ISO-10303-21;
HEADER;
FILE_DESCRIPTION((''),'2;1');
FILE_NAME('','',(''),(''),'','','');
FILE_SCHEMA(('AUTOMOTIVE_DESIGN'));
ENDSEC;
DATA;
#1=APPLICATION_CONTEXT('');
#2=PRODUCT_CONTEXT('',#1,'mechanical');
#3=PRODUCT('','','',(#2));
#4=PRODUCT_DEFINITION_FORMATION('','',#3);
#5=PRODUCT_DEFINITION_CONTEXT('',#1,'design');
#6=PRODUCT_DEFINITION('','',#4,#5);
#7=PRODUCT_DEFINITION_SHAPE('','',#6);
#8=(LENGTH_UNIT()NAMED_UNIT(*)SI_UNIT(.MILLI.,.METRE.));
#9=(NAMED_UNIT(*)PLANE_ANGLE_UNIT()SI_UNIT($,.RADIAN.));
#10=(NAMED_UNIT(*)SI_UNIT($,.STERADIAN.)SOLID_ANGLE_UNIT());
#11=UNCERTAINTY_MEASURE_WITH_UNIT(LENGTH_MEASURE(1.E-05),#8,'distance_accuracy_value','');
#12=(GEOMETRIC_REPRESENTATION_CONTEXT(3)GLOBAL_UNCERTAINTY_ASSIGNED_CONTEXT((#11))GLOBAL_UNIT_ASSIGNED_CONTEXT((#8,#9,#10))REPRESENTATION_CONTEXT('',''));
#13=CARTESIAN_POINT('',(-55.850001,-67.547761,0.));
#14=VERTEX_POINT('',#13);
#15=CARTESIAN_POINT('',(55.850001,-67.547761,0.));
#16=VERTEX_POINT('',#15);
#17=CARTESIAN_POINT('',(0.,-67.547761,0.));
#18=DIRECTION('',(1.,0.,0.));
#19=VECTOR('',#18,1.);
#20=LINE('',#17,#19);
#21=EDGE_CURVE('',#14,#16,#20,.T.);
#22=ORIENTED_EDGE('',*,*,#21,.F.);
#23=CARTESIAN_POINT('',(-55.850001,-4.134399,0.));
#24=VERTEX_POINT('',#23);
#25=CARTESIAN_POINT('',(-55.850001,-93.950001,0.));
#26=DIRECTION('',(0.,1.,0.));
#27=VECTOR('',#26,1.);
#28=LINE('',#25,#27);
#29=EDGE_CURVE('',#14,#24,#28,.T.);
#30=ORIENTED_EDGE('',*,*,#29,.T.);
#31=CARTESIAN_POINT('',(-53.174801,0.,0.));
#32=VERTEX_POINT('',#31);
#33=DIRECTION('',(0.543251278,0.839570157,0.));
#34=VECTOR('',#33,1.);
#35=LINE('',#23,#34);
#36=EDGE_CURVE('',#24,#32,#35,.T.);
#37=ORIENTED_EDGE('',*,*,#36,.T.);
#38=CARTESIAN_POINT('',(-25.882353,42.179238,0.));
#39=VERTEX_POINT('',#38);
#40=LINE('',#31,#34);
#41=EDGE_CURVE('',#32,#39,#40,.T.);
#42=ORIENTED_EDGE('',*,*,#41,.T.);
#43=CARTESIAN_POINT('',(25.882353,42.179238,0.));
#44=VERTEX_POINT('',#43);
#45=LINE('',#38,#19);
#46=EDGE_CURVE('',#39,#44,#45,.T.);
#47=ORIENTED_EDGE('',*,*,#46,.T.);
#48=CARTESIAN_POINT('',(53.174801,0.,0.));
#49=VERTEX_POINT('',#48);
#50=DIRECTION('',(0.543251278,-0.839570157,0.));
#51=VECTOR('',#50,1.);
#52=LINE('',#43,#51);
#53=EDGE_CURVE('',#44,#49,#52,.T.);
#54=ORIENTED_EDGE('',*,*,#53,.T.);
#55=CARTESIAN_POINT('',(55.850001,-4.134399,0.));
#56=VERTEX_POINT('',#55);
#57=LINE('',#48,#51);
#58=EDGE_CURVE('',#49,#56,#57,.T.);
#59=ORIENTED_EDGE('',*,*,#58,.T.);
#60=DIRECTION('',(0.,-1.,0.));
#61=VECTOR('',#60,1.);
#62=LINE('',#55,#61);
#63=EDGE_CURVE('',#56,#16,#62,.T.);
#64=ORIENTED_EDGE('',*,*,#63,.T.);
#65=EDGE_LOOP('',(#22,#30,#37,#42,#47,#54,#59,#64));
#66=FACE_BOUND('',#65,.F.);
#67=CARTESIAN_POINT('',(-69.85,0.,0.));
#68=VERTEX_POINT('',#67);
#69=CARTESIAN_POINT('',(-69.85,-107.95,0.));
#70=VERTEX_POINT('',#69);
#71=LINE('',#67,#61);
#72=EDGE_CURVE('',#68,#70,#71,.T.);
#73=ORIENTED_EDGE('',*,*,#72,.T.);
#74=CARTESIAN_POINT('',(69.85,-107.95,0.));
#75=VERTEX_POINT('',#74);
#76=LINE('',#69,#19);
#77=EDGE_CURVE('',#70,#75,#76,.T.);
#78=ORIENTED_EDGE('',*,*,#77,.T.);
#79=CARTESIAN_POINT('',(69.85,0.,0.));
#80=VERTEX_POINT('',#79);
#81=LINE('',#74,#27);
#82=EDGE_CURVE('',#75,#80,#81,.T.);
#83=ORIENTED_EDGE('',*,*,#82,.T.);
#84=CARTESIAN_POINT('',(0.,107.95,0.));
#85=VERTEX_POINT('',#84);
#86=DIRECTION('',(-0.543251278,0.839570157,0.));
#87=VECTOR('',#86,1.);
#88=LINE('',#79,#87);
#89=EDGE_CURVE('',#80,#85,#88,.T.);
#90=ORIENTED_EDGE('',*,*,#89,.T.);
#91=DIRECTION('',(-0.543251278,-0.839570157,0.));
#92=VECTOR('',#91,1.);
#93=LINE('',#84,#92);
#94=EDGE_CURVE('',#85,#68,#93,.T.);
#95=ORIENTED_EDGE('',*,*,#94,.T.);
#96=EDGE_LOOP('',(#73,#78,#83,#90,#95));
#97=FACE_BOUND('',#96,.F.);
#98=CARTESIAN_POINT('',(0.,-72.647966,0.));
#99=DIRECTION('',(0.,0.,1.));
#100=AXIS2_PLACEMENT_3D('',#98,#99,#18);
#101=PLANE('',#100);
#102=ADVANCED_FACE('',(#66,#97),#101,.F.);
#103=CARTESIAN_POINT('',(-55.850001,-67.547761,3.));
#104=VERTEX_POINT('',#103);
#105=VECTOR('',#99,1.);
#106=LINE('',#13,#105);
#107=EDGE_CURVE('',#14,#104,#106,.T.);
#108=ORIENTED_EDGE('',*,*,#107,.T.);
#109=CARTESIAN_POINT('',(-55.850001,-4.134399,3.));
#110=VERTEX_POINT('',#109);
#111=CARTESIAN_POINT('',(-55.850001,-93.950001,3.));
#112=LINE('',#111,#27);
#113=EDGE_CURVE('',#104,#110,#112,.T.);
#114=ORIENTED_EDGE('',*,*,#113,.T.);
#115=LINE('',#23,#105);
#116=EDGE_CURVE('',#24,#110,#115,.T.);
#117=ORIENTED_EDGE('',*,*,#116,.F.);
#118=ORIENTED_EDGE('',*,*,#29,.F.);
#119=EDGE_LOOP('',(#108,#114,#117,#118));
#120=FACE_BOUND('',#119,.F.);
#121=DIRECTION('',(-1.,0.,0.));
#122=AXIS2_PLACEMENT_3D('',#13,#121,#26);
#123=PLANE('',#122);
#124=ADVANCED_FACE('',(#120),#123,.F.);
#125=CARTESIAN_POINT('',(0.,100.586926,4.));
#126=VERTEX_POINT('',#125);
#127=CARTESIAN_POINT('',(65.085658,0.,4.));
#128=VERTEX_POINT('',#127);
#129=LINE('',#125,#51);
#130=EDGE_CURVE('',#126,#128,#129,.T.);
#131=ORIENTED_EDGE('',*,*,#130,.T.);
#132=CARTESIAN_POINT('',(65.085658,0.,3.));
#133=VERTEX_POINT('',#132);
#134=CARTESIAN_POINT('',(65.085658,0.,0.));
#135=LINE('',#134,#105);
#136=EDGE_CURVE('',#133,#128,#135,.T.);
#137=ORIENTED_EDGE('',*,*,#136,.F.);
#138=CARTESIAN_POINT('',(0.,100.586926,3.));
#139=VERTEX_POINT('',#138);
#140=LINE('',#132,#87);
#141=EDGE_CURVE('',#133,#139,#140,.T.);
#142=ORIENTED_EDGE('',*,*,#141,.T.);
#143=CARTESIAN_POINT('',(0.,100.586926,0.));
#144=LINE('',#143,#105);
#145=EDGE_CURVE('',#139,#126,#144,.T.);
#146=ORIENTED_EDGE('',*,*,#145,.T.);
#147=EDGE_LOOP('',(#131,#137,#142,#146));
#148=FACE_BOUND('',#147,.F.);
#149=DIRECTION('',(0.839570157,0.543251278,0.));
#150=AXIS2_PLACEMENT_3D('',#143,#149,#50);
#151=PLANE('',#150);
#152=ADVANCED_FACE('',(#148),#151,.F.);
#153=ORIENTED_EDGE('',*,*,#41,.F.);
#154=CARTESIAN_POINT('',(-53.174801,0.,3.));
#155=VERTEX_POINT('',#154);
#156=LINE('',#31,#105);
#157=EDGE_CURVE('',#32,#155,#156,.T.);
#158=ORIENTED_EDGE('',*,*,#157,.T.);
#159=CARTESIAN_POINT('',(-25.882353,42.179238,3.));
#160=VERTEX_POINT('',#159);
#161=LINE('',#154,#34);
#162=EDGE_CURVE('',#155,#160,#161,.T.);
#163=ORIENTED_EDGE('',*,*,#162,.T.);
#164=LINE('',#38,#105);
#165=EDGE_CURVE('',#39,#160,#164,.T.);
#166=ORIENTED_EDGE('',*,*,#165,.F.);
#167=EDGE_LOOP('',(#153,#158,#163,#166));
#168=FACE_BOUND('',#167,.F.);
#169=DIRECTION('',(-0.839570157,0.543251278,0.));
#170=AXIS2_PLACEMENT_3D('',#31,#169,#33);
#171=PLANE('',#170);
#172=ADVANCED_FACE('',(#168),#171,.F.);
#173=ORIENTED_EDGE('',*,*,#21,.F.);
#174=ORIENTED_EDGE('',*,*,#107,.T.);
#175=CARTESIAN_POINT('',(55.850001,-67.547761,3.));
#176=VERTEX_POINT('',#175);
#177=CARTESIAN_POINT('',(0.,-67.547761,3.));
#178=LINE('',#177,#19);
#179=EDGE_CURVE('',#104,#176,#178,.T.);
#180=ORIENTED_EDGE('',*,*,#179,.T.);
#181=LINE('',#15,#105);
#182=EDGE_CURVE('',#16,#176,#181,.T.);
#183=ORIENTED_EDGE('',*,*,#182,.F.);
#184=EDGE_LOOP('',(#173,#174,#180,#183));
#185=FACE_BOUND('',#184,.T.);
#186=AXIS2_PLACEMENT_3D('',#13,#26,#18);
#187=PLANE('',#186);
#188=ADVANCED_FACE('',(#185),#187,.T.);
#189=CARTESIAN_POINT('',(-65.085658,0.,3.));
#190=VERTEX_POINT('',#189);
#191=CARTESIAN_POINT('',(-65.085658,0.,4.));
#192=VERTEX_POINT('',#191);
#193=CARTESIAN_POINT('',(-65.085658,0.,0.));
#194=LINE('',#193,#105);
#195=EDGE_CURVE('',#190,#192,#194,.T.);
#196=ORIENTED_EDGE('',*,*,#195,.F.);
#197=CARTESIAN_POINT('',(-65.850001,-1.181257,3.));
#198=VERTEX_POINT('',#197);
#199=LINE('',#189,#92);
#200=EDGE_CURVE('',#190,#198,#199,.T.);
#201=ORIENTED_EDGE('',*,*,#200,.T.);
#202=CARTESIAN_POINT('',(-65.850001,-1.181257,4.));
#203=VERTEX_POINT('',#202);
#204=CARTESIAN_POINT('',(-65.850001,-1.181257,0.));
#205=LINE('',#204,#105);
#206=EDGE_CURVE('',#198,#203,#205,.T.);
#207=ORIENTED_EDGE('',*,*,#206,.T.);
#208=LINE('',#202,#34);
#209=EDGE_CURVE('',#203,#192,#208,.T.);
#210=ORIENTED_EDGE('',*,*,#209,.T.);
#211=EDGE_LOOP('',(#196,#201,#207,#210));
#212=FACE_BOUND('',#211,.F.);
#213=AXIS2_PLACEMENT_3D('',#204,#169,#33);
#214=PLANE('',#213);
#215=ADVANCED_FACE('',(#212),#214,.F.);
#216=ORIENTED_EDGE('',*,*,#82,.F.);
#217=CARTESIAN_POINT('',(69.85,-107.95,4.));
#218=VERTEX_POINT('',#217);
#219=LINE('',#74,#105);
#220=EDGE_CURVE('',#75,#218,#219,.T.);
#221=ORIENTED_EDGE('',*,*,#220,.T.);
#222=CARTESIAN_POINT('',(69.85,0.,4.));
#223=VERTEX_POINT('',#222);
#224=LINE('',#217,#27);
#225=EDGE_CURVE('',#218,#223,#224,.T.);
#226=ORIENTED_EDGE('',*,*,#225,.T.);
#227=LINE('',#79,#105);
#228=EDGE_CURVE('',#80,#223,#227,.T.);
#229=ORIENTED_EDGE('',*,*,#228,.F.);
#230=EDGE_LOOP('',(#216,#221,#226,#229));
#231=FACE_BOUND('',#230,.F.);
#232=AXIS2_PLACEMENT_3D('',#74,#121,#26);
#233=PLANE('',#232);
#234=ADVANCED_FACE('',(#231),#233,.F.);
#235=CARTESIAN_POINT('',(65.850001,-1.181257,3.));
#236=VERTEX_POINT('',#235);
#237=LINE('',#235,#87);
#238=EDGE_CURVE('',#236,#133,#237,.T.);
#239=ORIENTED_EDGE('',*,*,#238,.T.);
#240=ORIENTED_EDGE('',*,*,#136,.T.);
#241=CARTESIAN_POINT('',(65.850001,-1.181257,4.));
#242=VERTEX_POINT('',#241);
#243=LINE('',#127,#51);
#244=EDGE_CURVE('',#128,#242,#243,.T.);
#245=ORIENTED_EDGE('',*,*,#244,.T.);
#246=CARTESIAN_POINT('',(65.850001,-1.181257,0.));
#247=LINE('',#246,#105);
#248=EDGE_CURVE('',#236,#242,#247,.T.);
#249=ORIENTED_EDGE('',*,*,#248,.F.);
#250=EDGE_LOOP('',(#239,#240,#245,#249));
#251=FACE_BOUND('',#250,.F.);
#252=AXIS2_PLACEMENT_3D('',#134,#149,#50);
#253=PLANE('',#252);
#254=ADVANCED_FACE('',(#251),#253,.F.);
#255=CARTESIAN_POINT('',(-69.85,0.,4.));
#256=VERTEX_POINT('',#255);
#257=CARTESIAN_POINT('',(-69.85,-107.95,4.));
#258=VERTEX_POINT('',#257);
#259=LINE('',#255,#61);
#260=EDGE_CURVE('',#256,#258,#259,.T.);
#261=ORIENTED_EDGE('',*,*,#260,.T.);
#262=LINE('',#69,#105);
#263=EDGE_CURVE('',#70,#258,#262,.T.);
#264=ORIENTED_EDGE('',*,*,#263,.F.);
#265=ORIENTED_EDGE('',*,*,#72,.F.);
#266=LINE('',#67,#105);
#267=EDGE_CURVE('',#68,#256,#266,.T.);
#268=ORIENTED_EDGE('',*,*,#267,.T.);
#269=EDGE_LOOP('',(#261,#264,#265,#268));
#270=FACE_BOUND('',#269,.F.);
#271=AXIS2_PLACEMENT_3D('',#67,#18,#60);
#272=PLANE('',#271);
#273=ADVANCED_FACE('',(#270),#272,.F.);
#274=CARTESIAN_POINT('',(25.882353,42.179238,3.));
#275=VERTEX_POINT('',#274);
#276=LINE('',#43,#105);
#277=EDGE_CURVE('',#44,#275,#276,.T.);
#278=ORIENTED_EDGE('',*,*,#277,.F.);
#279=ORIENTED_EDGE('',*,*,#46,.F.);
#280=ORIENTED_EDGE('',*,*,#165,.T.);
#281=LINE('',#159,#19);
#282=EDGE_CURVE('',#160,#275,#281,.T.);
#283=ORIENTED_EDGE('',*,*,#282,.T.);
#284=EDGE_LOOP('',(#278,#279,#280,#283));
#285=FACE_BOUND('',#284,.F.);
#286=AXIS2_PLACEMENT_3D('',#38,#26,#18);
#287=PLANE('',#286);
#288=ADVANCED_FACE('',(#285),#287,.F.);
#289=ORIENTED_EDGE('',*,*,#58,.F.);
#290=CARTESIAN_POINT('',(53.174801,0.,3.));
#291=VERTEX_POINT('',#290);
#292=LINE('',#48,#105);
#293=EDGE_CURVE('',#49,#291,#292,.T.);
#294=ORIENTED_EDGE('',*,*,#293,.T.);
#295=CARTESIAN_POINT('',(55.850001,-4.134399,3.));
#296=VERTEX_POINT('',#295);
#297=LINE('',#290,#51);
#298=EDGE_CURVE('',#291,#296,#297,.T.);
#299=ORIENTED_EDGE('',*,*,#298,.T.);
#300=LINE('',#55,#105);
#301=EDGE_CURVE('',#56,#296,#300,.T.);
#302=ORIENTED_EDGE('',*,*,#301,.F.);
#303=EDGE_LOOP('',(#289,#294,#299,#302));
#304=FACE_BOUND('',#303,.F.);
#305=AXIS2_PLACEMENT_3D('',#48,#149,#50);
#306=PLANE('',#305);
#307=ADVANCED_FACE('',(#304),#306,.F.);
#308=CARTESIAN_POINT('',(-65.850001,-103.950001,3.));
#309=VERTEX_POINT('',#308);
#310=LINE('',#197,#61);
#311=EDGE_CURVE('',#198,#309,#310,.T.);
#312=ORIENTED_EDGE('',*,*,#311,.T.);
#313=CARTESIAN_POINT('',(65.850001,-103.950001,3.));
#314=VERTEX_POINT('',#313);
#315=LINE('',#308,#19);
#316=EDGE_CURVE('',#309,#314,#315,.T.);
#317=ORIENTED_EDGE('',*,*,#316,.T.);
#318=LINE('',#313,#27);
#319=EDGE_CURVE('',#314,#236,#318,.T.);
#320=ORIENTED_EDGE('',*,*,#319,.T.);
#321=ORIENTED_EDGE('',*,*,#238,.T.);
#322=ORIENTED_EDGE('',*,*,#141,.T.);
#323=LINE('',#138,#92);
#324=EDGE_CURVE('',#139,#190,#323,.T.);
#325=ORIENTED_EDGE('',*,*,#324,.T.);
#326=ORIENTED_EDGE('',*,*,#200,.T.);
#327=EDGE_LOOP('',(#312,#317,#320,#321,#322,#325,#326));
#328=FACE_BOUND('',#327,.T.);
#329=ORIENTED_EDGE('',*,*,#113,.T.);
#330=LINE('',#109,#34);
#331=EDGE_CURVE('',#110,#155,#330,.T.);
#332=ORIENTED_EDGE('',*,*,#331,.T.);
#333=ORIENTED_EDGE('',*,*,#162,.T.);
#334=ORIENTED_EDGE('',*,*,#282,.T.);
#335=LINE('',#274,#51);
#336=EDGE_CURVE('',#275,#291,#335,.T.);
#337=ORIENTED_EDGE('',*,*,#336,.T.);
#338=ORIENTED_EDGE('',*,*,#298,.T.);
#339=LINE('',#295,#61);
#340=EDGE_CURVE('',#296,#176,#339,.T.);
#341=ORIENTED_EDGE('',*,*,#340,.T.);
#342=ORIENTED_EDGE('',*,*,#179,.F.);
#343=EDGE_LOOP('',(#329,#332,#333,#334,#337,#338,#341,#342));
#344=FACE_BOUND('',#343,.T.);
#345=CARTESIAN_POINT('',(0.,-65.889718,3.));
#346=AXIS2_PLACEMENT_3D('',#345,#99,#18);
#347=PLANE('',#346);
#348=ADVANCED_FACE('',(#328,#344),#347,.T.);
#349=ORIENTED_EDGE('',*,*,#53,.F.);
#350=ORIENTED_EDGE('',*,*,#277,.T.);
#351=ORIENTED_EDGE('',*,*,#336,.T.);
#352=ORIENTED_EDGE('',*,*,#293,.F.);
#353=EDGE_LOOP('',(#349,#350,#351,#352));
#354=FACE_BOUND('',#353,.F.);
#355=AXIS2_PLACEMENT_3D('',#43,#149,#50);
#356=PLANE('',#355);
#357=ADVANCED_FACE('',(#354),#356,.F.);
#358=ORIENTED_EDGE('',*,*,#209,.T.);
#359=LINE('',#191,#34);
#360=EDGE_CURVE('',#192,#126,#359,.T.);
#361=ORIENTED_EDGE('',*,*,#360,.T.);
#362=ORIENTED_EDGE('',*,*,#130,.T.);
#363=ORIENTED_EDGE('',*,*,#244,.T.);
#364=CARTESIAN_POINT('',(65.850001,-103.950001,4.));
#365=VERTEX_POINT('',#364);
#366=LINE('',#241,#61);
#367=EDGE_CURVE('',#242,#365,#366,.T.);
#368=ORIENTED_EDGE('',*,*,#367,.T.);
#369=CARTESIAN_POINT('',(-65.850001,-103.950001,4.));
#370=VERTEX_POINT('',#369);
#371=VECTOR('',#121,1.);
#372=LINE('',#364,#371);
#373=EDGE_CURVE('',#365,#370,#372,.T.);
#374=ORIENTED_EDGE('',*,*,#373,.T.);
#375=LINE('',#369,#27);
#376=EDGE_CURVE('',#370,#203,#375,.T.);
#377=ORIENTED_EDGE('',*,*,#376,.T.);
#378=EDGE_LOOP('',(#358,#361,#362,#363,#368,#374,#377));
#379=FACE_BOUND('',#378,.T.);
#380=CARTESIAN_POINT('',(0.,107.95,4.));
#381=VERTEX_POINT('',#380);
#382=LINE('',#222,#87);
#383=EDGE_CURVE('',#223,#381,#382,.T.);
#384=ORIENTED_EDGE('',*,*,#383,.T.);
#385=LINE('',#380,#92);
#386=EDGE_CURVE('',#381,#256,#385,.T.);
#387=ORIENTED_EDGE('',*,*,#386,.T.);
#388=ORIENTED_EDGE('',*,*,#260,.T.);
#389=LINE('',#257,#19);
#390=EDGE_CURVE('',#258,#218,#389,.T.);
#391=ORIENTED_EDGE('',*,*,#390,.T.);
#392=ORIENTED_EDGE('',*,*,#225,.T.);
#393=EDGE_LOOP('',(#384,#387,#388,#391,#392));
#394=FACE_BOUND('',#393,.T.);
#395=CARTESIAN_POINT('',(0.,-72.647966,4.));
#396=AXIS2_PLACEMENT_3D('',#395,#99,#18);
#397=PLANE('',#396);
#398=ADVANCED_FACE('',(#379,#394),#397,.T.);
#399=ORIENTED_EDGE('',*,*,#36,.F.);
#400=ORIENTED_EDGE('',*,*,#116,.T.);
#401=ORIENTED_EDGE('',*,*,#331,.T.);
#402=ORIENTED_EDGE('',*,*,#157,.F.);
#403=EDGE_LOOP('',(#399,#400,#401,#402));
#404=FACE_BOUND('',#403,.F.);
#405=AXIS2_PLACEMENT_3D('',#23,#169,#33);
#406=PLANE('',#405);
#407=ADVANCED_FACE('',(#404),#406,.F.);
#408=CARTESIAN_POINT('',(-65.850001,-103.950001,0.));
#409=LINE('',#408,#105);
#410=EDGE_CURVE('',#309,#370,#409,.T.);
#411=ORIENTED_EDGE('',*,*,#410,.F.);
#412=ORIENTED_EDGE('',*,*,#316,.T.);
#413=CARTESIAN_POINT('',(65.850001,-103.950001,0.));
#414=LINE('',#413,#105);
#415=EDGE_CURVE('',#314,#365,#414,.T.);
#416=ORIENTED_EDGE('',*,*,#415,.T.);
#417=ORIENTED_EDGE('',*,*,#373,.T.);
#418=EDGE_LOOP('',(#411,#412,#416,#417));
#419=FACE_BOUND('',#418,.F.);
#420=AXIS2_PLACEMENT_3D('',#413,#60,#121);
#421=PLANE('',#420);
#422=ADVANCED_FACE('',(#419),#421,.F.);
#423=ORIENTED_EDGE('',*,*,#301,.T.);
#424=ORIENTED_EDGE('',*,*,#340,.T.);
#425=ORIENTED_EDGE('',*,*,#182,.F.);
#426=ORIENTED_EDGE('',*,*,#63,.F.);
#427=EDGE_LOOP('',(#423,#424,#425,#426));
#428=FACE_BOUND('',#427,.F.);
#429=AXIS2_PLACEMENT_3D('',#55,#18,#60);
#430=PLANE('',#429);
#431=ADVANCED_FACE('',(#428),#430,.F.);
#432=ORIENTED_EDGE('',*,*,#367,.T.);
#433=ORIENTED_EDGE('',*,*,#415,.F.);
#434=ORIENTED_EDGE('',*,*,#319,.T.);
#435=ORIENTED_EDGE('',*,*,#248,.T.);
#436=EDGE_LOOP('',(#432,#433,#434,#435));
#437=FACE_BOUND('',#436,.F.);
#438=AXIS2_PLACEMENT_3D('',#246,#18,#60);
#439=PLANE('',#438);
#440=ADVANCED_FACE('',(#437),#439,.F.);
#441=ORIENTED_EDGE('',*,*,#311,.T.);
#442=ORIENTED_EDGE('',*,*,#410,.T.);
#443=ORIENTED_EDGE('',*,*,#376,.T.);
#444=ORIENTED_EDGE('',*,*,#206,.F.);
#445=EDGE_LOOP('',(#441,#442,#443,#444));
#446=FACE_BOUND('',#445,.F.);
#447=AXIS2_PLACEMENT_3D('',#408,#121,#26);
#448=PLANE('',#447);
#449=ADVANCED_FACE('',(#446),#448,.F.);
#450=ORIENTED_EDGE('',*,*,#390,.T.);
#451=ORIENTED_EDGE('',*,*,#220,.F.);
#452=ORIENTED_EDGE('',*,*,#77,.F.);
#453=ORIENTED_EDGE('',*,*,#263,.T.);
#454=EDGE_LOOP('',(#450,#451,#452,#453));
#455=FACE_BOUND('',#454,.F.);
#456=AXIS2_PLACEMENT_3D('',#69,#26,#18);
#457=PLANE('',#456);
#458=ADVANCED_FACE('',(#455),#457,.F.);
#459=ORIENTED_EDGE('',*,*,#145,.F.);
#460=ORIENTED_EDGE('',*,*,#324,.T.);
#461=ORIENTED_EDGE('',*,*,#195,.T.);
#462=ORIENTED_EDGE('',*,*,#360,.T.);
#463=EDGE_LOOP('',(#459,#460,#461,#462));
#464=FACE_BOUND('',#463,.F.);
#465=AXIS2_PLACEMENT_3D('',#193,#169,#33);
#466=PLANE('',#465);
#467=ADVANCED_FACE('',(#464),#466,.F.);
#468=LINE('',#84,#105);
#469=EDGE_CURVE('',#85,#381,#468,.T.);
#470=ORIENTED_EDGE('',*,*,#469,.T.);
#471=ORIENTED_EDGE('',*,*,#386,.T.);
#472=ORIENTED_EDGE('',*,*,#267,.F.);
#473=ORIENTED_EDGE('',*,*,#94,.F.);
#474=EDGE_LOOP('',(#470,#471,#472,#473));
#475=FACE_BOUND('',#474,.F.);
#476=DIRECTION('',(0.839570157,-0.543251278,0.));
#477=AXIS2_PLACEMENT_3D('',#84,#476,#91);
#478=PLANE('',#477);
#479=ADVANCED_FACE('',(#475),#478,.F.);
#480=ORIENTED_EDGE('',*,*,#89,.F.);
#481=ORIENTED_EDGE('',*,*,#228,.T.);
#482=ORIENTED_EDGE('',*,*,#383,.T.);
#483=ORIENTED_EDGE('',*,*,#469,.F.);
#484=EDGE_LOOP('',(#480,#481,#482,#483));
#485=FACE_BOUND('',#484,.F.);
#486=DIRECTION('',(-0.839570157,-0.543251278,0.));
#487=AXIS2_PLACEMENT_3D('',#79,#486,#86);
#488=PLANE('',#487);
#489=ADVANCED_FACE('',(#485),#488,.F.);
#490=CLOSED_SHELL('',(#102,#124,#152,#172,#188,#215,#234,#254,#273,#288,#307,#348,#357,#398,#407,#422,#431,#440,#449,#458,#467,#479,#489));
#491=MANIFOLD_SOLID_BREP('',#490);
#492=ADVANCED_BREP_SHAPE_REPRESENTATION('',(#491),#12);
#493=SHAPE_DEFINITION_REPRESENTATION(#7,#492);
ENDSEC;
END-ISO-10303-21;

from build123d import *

# Parameters (mm, degrees)
F0_W     = 111.7000012129
F0_H     = 26.4022397026
F1_DEPTH = 3
F2_DEPTH = 4


with BuildPart() as f1:
    # F0 (on Top) → F1 (new body)
    with BuildSketch(Plane.XY):
        Polygon((-53.1748010613, 0), (-65.0856580366, 0), (-65.8500006691, -1.1812567956), (-65.8500006691, -103.9500006691), (65.8500006691, -103.9500006691), (65.8500006691, -1.1812567956), (65.0856580366, 0), (53.1748010613, 0), (55.8500006065, -4.1343992971), (55.8500006065, -67.5477609038), (55.8500006065, -93.9500006065), (-55.8500006065, -93.9500006065), (-55.8500006065, -67.5477609038), (-55.8500006065, -4.1343992971), align=None)
        with Locations((0, -80.7488807551)):
            Rectangle(F0_W, F0_H)
        Polygon((0, 82.1792380038), (-25.8823529412, 42.1792380038), (25.8823529412, 42.1792380038), align=None)
        Polygon((0, 100.5869260566), (-65.0856580366, 0), (-53.1748010613, 0), (-25.8823529412, 42.1792380038), (0, 82.1792380038), (25.8823529412, 42.1792380038), (53.1748010613, 0), (65.0856580366, 0), align=None)
    extrude(amount=F1_DEPTH)

    # F0 (on Top) → F2 (join)
    with BuildSketch(Plane.XY):
        Polygon((-69.85, 0), (-69.85, -107.95), (69.85, -107.95), (69.85, 0), (65.0856580366, 0), (65.8500006691, -1.1812567956), (65.8500006691, -103.9500006691), (-65.8500006691, -103.9500006691), (-65.8500006691, -1.1812567956), (-65.0856580366, 0), align=None)
        Polygon((0, 107.95), (-69.85, 0), (-65.0856580366, 0), (0, 100.5869260566), (65.0856580366, 0), (69.85, 0), align=None)
    extrude(amount=F2_DEPTH)


solid = f1.part
